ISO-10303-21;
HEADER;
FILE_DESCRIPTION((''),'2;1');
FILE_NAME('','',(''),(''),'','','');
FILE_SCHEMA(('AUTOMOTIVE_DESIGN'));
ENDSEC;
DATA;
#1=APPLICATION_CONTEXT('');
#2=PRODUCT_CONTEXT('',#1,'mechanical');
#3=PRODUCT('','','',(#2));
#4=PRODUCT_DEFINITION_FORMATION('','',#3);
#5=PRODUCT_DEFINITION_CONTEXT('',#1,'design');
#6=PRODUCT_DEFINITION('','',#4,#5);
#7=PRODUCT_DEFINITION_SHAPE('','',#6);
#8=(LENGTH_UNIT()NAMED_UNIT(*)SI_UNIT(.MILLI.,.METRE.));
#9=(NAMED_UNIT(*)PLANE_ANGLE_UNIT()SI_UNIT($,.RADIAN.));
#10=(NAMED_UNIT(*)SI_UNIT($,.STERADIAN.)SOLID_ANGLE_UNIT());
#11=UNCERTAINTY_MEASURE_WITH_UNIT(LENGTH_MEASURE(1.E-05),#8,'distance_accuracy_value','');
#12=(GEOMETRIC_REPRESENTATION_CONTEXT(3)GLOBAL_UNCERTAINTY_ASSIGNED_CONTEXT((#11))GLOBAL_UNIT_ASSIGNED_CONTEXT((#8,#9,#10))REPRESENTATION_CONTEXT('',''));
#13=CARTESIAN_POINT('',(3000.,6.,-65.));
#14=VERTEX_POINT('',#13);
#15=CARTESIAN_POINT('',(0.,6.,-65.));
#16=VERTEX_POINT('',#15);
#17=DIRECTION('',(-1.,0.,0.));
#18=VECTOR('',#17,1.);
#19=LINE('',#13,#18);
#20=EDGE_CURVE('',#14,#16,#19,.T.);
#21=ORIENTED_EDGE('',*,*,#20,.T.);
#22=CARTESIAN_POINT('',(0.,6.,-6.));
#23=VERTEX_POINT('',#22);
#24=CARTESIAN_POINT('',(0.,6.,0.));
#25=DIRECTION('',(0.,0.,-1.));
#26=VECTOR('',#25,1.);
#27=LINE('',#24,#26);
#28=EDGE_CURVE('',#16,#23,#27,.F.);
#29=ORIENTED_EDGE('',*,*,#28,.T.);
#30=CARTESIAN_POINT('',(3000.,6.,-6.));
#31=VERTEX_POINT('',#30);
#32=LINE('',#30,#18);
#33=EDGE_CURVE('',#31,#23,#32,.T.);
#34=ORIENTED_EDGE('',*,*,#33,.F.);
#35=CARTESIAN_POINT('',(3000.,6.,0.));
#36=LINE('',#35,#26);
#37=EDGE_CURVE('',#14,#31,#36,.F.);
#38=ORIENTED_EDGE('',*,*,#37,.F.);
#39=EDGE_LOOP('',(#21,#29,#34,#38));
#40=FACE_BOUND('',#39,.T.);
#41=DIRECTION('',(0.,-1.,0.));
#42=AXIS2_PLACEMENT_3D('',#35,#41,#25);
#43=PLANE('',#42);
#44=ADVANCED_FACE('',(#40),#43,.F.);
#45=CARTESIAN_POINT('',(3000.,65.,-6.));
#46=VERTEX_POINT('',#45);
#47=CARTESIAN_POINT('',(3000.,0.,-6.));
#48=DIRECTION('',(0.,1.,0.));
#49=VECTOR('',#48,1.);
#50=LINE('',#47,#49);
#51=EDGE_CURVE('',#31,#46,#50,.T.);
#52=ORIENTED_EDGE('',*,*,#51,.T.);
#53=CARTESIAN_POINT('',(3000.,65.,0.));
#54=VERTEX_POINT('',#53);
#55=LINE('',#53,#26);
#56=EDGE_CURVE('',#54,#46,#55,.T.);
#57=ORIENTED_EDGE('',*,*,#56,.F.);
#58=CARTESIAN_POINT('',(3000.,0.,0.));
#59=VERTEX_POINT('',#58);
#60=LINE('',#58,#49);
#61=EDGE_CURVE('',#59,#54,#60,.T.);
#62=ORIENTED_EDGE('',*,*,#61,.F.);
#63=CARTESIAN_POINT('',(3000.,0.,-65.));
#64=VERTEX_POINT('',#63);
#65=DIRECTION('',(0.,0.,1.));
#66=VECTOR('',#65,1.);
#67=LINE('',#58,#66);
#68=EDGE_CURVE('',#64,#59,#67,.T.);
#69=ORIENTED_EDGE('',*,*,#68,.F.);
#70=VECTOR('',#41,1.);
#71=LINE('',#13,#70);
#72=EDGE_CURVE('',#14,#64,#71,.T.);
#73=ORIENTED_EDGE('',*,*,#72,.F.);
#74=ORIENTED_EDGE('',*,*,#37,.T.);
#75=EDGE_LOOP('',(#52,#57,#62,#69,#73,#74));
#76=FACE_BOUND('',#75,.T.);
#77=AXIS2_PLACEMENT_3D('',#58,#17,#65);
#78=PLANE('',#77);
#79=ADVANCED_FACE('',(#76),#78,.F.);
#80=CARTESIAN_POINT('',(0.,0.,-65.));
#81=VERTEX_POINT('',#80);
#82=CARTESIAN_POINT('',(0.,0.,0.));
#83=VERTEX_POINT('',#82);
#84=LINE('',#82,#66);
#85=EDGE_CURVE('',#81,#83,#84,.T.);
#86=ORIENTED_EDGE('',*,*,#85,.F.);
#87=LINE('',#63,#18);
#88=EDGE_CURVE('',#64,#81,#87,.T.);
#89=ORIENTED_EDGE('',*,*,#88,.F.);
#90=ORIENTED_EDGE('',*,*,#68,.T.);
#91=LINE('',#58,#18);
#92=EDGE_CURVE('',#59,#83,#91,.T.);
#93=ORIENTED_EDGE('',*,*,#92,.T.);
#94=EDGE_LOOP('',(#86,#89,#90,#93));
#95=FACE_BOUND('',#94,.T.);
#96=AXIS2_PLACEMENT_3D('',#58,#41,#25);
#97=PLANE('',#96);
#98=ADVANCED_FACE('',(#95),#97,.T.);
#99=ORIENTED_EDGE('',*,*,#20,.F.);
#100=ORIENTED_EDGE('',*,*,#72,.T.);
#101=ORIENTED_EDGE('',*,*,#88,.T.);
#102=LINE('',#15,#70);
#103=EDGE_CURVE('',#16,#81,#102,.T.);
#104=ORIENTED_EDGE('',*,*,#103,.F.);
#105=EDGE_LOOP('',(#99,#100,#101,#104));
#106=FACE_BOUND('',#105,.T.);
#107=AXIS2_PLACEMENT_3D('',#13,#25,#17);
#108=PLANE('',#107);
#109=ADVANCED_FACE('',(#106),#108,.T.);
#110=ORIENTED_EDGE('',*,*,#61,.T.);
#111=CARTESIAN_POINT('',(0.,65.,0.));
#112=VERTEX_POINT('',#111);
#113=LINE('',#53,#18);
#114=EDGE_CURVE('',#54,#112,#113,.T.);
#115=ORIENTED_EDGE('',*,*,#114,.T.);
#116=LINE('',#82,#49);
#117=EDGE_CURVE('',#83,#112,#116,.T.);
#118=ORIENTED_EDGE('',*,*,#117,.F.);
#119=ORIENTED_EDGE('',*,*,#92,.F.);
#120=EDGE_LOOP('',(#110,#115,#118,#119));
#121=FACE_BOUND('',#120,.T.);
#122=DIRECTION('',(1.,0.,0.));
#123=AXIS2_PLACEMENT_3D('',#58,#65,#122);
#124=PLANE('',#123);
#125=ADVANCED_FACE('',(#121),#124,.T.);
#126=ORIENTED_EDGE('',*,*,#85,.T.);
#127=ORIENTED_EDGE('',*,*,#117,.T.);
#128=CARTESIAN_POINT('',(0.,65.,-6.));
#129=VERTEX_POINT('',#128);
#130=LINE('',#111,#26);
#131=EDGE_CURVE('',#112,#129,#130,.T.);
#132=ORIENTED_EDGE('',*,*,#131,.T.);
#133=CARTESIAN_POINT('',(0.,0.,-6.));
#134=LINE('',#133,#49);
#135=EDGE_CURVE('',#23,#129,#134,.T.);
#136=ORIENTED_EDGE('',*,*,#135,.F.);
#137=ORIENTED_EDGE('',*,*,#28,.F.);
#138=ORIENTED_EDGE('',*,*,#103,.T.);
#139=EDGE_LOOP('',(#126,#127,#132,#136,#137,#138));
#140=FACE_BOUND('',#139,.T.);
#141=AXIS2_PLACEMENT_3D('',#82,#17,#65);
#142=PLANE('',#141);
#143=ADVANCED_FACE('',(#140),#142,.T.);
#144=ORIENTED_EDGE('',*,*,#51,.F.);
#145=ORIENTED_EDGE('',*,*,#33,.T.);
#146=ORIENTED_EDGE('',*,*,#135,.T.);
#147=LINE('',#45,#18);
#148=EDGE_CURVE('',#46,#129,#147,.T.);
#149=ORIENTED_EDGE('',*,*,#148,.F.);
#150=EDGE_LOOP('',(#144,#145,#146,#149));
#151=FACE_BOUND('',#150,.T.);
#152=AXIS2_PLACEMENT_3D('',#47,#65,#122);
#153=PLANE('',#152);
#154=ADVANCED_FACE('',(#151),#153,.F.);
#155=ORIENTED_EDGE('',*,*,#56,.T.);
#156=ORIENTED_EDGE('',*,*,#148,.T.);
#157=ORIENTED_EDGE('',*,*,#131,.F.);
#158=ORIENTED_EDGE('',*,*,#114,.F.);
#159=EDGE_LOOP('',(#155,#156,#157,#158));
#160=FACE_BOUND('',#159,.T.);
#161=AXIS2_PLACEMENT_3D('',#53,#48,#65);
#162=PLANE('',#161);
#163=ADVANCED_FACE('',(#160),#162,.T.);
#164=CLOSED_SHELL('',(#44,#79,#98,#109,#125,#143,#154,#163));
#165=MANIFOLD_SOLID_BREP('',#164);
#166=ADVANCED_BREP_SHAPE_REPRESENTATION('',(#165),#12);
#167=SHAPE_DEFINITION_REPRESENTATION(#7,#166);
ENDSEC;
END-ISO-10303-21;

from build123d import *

# Parameters (mm, degrees)
EXTRUDE_1_DEPTH = 3000


with BuildPart() as part:
    # Эскиз1 → Вытянуть-Тонкостенный1 (new body)
    with BuildSketch(Plane(origin=(0, 0, 0), x_dir=(0, 0, -1), z_dir=(1, 0, 0))):
        Polygon((0, 65), (0, 0), (65, 0), (65, 6), (6, 6), (6, 65), align=None)
    extrude(amount=EXTRUDE_1_DEPTH)


solid = part.part
